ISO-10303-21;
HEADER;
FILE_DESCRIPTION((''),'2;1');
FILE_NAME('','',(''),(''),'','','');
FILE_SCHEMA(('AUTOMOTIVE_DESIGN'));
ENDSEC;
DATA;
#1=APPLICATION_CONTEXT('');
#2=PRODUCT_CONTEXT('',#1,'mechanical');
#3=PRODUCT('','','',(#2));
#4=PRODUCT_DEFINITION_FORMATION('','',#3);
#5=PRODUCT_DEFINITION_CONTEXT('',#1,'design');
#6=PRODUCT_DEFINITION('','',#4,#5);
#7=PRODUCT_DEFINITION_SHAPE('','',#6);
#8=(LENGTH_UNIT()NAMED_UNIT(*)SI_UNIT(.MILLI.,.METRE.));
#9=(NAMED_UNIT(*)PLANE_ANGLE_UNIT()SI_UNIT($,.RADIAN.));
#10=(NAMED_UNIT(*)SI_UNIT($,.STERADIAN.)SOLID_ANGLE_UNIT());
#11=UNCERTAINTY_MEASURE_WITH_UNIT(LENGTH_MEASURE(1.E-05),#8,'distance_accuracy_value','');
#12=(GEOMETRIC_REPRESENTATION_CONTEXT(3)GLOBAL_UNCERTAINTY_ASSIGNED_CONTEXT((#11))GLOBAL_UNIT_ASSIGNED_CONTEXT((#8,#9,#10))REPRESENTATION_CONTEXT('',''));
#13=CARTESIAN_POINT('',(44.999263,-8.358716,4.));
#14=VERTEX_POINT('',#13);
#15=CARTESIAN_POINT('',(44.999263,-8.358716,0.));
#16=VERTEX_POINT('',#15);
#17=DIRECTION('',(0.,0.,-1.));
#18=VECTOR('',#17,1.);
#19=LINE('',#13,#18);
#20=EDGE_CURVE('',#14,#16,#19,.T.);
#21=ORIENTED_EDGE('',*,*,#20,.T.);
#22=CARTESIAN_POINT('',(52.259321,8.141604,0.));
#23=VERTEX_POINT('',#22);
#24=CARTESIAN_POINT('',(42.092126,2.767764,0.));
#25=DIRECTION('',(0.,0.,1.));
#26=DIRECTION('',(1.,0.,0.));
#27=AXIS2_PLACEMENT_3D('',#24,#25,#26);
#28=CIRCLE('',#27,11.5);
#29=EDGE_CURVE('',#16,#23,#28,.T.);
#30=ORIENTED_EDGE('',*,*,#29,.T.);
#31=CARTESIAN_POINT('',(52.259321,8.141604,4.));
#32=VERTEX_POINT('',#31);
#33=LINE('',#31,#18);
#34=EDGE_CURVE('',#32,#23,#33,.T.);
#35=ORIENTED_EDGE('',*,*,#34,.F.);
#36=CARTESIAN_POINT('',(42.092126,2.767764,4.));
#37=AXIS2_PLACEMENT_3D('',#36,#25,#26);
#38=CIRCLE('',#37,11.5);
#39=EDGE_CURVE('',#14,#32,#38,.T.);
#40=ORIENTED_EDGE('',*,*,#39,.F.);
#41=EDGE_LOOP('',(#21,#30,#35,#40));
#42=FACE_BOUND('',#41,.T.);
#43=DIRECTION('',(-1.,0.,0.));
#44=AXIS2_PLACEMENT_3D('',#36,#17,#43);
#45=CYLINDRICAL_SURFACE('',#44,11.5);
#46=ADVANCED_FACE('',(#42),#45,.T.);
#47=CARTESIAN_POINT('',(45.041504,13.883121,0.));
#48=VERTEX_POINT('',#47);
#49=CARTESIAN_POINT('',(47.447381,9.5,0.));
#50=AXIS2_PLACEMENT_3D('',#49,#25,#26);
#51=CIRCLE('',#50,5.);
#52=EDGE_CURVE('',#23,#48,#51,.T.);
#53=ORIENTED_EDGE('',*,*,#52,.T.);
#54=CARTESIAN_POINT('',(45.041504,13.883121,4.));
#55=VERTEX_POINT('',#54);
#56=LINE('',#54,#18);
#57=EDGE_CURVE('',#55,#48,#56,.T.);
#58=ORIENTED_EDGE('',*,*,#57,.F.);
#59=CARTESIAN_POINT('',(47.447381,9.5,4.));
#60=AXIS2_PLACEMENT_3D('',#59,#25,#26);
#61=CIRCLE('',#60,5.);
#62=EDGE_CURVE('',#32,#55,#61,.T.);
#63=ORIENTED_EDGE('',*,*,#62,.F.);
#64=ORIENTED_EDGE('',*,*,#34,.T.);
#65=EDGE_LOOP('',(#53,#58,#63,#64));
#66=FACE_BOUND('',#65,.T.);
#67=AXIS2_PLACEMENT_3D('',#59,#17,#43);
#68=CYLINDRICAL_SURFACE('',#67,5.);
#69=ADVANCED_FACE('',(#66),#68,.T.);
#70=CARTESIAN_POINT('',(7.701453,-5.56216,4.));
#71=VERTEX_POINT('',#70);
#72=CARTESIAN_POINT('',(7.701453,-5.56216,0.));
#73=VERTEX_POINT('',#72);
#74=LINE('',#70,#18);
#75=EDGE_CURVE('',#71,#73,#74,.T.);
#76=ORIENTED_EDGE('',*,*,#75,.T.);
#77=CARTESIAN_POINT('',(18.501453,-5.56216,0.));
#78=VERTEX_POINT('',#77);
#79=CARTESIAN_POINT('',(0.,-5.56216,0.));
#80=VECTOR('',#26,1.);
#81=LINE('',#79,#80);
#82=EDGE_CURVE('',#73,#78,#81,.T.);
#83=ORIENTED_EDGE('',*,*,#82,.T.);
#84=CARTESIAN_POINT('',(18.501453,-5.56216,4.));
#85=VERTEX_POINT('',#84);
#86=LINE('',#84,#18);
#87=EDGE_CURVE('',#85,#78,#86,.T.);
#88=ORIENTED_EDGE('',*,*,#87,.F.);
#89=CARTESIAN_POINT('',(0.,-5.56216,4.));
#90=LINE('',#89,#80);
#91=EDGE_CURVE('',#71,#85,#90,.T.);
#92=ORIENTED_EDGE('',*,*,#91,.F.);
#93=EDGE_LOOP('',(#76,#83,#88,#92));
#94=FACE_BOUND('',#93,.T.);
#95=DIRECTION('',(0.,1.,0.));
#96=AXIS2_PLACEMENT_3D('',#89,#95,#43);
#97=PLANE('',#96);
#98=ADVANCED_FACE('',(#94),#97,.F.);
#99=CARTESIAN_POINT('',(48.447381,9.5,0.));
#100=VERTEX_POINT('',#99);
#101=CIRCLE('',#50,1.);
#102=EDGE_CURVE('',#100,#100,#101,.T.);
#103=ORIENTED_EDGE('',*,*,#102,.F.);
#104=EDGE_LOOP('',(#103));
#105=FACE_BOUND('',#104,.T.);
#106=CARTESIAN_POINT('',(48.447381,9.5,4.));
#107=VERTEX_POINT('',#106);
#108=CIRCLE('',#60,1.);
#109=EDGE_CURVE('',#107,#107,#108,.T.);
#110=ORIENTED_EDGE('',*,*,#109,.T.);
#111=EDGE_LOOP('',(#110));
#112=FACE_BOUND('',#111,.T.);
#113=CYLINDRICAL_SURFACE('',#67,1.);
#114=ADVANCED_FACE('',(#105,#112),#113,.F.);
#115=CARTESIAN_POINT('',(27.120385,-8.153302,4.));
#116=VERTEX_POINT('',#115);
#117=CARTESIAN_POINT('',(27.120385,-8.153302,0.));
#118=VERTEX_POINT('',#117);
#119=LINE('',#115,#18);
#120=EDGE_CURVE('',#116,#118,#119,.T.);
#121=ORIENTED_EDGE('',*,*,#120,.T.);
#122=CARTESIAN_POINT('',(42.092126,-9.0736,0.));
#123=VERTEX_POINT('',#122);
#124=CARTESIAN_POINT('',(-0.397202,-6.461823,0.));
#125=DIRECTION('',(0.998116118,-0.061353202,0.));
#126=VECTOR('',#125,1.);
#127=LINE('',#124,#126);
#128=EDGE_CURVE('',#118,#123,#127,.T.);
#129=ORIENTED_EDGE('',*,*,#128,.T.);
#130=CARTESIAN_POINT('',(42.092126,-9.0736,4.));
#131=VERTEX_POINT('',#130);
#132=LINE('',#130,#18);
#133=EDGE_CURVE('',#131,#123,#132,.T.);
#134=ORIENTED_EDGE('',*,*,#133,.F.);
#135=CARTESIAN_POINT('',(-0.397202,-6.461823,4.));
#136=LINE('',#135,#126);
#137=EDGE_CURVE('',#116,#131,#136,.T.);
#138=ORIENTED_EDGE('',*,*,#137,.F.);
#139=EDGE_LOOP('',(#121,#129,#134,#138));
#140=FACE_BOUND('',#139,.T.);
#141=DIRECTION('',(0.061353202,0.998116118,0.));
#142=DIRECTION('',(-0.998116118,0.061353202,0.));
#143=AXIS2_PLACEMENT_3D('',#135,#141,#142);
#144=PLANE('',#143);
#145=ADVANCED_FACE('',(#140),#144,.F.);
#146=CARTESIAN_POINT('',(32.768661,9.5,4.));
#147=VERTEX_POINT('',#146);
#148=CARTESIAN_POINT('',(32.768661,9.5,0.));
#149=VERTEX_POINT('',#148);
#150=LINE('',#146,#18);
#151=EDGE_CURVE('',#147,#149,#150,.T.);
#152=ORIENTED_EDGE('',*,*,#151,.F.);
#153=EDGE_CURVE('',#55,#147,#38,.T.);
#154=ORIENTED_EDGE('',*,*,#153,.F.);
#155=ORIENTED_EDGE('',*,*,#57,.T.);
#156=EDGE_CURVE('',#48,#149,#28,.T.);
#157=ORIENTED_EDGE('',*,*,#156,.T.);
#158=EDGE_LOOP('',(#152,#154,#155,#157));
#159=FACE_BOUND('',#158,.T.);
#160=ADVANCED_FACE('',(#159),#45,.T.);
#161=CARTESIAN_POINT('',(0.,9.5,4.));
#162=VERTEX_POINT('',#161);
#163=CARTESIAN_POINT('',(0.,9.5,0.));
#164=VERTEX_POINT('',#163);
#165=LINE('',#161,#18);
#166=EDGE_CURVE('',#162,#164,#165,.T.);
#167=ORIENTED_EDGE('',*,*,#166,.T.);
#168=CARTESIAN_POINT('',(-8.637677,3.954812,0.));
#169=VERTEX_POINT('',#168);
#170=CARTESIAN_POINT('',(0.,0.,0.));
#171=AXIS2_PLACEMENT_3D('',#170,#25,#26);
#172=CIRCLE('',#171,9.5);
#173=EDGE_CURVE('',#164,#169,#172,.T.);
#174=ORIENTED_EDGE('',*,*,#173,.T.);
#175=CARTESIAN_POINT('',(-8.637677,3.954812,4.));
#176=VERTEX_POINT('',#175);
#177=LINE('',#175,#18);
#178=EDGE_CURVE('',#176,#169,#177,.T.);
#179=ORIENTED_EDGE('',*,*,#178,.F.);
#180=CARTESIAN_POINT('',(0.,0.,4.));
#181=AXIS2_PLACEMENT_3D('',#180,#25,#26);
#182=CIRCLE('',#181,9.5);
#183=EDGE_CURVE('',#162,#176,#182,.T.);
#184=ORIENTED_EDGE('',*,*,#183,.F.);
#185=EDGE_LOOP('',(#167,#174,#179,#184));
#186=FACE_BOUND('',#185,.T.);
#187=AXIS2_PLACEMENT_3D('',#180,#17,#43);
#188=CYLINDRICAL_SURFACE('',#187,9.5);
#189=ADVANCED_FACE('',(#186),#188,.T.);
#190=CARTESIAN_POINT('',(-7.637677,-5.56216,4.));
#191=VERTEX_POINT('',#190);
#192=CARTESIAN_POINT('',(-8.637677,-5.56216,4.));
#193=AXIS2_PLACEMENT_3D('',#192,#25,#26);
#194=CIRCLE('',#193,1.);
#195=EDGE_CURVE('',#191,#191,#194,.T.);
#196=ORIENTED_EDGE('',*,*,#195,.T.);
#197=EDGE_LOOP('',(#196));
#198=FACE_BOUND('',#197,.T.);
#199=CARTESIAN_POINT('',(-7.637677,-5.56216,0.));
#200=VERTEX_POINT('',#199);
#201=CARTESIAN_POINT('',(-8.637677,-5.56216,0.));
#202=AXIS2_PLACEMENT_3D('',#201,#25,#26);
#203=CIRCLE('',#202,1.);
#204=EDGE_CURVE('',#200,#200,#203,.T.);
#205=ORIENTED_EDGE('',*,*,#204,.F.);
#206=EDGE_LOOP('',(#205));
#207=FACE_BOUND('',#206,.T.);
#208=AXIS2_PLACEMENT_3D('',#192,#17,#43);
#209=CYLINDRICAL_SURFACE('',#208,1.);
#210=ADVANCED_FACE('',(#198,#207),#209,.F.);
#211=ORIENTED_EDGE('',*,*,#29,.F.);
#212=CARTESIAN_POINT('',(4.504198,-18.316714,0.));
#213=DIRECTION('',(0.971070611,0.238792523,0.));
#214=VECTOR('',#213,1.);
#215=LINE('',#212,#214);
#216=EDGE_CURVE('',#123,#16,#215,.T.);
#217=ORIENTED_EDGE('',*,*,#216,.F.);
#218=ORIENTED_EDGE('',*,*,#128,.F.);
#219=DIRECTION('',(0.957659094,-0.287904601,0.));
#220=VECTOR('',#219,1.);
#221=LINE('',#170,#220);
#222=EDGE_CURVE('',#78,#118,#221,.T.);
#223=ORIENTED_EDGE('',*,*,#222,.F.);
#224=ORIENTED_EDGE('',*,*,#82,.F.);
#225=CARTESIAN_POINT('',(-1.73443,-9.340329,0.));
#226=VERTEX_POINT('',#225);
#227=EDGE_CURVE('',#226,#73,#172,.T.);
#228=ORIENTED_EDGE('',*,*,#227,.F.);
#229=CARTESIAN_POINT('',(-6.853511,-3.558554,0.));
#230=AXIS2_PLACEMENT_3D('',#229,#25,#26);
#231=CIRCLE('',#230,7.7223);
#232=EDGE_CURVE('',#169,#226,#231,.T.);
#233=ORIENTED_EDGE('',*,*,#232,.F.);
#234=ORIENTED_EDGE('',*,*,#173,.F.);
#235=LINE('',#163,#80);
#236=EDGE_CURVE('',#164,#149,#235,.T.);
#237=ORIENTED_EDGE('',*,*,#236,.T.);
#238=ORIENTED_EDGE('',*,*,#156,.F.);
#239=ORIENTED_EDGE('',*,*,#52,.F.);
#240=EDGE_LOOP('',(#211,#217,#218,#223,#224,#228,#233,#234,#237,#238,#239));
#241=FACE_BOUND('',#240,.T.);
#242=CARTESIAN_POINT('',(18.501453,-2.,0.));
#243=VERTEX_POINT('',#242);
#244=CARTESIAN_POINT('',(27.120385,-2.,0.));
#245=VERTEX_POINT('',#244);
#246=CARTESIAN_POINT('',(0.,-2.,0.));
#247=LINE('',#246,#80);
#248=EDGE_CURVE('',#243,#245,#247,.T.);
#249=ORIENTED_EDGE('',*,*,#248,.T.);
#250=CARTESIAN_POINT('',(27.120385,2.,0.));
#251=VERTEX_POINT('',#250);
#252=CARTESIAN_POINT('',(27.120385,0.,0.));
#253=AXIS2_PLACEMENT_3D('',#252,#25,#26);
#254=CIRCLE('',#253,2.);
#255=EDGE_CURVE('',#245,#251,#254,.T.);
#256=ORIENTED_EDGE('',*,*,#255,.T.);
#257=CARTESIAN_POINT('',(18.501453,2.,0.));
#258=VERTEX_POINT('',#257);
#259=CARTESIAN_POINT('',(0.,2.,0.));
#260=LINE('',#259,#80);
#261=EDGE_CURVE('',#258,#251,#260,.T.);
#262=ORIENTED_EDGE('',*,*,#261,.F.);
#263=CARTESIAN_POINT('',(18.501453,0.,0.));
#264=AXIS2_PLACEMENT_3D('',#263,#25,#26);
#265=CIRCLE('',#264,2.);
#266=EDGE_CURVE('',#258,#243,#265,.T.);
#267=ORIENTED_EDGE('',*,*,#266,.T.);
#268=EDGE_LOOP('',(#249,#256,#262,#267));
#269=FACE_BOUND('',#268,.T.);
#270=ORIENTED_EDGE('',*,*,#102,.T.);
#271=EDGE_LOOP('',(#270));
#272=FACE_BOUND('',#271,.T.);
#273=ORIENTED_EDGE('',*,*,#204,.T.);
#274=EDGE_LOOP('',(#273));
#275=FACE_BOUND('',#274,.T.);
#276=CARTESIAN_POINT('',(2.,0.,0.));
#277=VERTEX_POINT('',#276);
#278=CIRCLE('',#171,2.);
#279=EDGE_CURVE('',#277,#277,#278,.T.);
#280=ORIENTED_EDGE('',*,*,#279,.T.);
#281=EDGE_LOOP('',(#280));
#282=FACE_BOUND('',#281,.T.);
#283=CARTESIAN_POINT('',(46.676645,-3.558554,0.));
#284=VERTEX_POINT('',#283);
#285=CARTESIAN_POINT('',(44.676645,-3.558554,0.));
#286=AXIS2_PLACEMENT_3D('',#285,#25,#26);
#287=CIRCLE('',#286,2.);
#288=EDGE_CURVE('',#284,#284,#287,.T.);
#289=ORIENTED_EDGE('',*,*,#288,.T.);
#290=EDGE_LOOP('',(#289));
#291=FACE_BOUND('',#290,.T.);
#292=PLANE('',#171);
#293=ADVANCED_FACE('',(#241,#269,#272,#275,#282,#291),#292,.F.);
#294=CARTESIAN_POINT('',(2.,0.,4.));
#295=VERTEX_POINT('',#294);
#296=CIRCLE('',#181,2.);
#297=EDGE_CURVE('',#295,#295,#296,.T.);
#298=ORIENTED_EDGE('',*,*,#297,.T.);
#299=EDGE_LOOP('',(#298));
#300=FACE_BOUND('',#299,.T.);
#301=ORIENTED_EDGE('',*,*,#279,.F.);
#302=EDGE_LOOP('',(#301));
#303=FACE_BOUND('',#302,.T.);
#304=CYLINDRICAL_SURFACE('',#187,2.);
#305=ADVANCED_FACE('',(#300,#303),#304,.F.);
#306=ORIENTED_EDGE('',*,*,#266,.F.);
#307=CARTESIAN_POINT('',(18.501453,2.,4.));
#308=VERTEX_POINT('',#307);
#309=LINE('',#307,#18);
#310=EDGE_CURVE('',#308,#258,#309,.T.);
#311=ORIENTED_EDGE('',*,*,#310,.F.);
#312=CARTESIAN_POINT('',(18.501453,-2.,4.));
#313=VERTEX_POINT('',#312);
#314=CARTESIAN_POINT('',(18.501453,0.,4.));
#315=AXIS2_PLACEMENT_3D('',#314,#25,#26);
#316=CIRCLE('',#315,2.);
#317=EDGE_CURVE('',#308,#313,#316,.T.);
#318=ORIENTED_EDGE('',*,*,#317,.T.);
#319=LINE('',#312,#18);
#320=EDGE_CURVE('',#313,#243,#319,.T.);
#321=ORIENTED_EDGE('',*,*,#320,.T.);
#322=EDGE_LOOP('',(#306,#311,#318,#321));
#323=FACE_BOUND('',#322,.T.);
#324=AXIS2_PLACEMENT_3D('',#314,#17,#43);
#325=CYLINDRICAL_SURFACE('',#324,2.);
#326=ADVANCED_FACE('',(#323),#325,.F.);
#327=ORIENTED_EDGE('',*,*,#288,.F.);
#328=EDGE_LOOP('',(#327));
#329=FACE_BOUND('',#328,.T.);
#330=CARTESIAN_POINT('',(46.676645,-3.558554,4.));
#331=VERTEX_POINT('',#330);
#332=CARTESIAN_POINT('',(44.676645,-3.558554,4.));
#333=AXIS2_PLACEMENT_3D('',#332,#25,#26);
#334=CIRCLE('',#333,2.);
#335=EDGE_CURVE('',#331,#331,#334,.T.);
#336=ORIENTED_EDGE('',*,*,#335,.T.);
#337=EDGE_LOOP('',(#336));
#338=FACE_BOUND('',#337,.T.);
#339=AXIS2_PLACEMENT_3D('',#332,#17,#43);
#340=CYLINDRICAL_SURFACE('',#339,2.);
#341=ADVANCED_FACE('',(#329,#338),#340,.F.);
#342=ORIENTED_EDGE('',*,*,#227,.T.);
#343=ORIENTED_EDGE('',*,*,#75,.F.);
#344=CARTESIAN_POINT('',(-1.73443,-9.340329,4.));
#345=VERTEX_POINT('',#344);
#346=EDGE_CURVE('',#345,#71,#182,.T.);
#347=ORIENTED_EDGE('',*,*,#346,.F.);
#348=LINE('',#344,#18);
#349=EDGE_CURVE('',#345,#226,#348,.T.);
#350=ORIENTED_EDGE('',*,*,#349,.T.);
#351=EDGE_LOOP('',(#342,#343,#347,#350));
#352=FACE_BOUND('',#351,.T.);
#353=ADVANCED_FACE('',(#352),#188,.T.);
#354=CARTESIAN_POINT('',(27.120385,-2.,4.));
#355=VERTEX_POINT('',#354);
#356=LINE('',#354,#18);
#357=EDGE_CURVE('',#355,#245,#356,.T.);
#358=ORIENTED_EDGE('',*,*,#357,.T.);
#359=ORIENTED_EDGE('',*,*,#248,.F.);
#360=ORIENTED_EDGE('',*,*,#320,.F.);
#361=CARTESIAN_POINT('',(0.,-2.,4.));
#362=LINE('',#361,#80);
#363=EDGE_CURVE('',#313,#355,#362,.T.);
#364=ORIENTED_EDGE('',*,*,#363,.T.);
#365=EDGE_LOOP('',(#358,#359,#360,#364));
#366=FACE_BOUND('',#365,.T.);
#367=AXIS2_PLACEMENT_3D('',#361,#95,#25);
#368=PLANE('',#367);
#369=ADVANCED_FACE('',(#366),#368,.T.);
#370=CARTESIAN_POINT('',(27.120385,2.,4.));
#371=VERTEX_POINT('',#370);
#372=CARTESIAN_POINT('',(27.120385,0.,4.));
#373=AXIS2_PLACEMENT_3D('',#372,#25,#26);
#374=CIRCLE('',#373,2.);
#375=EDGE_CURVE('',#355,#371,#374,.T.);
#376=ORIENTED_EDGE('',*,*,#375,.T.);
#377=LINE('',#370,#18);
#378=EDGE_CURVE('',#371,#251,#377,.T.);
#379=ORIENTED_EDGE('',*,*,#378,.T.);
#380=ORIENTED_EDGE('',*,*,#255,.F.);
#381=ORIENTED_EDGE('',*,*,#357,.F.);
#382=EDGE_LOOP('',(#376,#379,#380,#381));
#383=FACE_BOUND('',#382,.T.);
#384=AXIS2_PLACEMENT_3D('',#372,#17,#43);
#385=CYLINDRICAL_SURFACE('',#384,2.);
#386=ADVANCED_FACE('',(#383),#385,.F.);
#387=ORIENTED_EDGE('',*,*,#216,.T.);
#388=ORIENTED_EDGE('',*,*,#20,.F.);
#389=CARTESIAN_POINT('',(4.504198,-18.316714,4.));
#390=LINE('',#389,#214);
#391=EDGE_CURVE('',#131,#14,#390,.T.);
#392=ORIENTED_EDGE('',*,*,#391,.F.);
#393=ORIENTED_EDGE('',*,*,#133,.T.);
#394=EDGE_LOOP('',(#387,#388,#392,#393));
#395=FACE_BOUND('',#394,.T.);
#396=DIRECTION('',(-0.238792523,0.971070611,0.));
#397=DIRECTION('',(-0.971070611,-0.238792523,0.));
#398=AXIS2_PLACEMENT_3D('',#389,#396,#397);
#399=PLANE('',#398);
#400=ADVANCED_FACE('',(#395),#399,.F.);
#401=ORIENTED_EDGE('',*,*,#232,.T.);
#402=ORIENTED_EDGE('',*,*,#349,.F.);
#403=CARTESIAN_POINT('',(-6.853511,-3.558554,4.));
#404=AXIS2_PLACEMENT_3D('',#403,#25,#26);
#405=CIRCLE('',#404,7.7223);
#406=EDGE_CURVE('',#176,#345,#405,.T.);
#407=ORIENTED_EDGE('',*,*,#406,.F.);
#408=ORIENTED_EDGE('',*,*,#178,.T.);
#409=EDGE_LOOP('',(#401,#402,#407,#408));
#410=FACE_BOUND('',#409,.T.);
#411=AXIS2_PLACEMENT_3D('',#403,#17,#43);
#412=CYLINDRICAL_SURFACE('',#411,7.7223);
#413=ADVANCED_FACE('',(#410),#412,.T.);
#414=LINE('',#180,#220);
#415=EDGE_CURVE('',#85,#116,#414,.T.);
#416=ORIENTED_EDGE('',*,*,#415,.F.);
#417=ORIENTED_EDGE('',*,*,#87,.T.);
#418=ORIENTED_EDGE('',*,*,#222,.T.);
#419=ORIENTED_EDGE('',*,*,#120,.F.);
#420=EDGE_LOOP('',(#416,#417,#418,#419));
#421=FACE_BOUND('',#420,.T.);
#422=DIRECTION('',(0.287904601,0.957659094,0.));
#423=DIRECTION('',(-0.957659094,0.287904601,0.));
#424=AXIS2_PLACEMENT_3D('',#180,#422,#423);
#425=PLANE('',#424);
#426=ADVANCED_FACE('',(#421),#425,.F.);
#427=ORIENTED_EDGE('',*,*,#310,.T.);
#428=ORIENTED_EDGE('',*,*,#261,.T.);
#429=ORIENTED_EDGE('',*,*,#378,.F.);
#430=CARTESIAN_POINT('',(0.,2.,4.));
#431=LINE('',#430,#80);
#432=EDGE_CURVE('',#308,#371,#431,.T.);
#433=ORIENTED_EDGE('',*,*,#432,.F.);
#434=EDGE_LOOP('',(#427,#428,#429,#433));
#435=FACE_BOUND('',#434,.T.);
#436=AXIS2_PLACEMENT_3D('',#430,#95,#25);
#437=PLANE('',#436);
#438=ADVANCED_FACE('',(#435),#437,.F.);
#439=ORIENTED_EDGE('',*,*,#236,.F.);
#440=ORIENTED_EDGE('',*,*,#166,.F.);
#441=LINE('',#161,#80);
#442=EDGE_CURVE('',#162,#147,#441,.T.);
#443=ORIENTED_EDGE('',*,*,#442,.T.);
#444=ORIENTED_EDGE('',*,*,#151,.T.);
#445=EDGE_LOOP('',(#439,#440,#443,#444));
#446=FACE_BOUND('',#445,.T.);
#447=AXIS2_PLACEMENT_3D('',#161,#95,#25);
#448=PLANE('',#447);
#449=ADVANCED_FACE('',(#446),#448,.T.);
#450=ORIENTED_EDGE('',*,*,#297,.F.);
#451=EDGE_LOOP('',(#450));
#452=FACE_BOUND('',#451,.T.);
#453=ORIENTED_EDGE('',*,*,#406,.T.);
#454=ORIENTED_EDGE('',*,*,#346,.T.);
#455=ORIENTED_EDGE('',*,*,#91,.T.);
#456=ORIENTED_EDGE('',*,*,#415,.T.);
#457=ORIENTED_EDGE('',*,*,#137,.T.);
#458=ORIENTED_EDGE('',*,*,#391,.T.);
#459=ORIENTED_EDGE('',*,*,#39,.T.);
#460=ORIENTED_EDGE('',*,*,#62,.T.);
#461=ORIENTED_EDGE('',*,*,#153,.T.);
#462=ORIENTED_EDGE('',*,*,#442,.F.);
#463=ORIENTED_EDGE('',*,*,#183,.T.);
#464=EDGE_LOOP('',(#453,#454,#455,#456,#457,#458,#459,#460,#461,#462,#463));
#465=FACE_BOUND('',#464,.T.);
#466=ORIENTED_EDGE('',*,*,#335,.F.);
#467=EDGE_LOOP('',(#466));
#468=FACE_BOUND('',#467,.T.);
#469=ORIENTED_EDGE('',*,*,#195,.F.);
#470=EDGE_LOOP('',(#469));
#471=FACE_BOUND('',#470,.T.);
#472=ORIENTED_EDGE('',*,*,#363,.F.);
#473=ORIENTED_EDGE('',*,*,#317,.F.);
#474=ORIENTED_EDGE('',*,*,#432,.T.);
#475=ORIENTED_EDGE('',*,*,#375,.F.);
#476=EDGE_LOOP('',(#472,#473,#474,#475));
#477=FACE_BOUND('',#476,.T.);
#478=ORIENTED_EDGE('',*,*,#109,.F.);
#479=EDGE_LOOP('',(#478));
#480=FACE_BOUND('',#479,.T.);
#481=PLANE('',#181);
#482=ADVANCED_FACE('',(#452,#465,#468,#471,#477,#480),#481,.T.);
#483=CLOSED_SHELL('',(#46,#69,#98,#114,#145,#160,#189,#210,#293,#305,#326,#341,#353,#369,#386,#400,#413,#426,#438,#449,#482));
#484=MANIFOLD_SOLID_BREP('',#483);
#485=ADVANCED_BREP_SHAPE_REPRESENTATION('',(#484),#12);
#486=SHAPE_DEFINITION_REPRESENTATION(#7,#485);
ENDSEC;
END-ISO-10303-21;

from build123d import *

# Parameters (mm, degrees)
SKETCH1_R           = 1
SKETCH1_R_2         = 2
BOSS_EXTRUDE1_DEPTH = 4


with BuildPart() as part:
    # Sketch1 → Boss-Extrude1 (new body)
    with BuildSketch(Plane.XY):
        with BuildLine():
            Line((32.768661414, 9.5), (0, 9.5))
            ThreePointArc((0, 9.5), (-5.132216198, 7.994395343), (-8.637676899, 3.954811978))
            ThreePointArc((-8.637676899, 3.954811978), (-13.707021242, -7.117107183), (-1.734430481, -9.340329272))
            ThreePointArc((-1.734430481, -9.340329272), (3.531285703, -8.819298231), (7.70145267, -5.562160262))
            Line((7.70145267, -5.562160262), (18.50145267, -5.562160262))
            Line((18.50145267, -5.562160262), (27.120384516, -8.153301675))
            Line((27.120384516, -8.153301675), (42.092126283, -9.073599712))
            Line((42.092126283, -9.073599712), (44.676644991, -8.438049901))
            Line((44.676644991, -8.438049901), (44.999262596, -8.358716152))
            ThreePointArc((44.999262596, -8.358716152), (52.618268655, -1.863685843), (52.259320622, 8.141604176))
            ThreePointArc((52.259320622, 8.141604176), (50.560022951, 13.41298626), (45.041503714, 13.883121423))
            ThreePointArc((45.041503714, 13.883121423), (38.224286315, 13.597806101), (32.768661414, 9.5))
        make_face()
        with Locations((-8.637676899, -5.562160262)):
            Circle(SKETCH1_R, mode=Mode.SUBTRACT)
        Circle(SKETCH1_R_2, mode=Mode.SUBTRACT)
        with BuildLine():
            ThreePointArc((18.50145267, -2), (16.50145267, 0), (18.50145267, 2))
            Line((18.50145267, 2), (27.120384516, 2))
            ThreePointArc((27.120384516, 2), (29.120384516, 0), (27.120384516, -2))
            Line((27.120384516, -2), (18.50145267, -2))
        make_face(mode=Mode.SUBTRACT)
        with Locations((44.676644991, -3.558553592)):
            Circle(SKETCH1_R_2, mode=Mode.SUBTRACT)
        with Locations((47.447381223, 9.5)):
            Circle(SKETCH1_R, mode=Mode.SUBTRACT)
    extrude(amount=BOSS_EXTRUDE1_DEPTH)


solid = part.part
